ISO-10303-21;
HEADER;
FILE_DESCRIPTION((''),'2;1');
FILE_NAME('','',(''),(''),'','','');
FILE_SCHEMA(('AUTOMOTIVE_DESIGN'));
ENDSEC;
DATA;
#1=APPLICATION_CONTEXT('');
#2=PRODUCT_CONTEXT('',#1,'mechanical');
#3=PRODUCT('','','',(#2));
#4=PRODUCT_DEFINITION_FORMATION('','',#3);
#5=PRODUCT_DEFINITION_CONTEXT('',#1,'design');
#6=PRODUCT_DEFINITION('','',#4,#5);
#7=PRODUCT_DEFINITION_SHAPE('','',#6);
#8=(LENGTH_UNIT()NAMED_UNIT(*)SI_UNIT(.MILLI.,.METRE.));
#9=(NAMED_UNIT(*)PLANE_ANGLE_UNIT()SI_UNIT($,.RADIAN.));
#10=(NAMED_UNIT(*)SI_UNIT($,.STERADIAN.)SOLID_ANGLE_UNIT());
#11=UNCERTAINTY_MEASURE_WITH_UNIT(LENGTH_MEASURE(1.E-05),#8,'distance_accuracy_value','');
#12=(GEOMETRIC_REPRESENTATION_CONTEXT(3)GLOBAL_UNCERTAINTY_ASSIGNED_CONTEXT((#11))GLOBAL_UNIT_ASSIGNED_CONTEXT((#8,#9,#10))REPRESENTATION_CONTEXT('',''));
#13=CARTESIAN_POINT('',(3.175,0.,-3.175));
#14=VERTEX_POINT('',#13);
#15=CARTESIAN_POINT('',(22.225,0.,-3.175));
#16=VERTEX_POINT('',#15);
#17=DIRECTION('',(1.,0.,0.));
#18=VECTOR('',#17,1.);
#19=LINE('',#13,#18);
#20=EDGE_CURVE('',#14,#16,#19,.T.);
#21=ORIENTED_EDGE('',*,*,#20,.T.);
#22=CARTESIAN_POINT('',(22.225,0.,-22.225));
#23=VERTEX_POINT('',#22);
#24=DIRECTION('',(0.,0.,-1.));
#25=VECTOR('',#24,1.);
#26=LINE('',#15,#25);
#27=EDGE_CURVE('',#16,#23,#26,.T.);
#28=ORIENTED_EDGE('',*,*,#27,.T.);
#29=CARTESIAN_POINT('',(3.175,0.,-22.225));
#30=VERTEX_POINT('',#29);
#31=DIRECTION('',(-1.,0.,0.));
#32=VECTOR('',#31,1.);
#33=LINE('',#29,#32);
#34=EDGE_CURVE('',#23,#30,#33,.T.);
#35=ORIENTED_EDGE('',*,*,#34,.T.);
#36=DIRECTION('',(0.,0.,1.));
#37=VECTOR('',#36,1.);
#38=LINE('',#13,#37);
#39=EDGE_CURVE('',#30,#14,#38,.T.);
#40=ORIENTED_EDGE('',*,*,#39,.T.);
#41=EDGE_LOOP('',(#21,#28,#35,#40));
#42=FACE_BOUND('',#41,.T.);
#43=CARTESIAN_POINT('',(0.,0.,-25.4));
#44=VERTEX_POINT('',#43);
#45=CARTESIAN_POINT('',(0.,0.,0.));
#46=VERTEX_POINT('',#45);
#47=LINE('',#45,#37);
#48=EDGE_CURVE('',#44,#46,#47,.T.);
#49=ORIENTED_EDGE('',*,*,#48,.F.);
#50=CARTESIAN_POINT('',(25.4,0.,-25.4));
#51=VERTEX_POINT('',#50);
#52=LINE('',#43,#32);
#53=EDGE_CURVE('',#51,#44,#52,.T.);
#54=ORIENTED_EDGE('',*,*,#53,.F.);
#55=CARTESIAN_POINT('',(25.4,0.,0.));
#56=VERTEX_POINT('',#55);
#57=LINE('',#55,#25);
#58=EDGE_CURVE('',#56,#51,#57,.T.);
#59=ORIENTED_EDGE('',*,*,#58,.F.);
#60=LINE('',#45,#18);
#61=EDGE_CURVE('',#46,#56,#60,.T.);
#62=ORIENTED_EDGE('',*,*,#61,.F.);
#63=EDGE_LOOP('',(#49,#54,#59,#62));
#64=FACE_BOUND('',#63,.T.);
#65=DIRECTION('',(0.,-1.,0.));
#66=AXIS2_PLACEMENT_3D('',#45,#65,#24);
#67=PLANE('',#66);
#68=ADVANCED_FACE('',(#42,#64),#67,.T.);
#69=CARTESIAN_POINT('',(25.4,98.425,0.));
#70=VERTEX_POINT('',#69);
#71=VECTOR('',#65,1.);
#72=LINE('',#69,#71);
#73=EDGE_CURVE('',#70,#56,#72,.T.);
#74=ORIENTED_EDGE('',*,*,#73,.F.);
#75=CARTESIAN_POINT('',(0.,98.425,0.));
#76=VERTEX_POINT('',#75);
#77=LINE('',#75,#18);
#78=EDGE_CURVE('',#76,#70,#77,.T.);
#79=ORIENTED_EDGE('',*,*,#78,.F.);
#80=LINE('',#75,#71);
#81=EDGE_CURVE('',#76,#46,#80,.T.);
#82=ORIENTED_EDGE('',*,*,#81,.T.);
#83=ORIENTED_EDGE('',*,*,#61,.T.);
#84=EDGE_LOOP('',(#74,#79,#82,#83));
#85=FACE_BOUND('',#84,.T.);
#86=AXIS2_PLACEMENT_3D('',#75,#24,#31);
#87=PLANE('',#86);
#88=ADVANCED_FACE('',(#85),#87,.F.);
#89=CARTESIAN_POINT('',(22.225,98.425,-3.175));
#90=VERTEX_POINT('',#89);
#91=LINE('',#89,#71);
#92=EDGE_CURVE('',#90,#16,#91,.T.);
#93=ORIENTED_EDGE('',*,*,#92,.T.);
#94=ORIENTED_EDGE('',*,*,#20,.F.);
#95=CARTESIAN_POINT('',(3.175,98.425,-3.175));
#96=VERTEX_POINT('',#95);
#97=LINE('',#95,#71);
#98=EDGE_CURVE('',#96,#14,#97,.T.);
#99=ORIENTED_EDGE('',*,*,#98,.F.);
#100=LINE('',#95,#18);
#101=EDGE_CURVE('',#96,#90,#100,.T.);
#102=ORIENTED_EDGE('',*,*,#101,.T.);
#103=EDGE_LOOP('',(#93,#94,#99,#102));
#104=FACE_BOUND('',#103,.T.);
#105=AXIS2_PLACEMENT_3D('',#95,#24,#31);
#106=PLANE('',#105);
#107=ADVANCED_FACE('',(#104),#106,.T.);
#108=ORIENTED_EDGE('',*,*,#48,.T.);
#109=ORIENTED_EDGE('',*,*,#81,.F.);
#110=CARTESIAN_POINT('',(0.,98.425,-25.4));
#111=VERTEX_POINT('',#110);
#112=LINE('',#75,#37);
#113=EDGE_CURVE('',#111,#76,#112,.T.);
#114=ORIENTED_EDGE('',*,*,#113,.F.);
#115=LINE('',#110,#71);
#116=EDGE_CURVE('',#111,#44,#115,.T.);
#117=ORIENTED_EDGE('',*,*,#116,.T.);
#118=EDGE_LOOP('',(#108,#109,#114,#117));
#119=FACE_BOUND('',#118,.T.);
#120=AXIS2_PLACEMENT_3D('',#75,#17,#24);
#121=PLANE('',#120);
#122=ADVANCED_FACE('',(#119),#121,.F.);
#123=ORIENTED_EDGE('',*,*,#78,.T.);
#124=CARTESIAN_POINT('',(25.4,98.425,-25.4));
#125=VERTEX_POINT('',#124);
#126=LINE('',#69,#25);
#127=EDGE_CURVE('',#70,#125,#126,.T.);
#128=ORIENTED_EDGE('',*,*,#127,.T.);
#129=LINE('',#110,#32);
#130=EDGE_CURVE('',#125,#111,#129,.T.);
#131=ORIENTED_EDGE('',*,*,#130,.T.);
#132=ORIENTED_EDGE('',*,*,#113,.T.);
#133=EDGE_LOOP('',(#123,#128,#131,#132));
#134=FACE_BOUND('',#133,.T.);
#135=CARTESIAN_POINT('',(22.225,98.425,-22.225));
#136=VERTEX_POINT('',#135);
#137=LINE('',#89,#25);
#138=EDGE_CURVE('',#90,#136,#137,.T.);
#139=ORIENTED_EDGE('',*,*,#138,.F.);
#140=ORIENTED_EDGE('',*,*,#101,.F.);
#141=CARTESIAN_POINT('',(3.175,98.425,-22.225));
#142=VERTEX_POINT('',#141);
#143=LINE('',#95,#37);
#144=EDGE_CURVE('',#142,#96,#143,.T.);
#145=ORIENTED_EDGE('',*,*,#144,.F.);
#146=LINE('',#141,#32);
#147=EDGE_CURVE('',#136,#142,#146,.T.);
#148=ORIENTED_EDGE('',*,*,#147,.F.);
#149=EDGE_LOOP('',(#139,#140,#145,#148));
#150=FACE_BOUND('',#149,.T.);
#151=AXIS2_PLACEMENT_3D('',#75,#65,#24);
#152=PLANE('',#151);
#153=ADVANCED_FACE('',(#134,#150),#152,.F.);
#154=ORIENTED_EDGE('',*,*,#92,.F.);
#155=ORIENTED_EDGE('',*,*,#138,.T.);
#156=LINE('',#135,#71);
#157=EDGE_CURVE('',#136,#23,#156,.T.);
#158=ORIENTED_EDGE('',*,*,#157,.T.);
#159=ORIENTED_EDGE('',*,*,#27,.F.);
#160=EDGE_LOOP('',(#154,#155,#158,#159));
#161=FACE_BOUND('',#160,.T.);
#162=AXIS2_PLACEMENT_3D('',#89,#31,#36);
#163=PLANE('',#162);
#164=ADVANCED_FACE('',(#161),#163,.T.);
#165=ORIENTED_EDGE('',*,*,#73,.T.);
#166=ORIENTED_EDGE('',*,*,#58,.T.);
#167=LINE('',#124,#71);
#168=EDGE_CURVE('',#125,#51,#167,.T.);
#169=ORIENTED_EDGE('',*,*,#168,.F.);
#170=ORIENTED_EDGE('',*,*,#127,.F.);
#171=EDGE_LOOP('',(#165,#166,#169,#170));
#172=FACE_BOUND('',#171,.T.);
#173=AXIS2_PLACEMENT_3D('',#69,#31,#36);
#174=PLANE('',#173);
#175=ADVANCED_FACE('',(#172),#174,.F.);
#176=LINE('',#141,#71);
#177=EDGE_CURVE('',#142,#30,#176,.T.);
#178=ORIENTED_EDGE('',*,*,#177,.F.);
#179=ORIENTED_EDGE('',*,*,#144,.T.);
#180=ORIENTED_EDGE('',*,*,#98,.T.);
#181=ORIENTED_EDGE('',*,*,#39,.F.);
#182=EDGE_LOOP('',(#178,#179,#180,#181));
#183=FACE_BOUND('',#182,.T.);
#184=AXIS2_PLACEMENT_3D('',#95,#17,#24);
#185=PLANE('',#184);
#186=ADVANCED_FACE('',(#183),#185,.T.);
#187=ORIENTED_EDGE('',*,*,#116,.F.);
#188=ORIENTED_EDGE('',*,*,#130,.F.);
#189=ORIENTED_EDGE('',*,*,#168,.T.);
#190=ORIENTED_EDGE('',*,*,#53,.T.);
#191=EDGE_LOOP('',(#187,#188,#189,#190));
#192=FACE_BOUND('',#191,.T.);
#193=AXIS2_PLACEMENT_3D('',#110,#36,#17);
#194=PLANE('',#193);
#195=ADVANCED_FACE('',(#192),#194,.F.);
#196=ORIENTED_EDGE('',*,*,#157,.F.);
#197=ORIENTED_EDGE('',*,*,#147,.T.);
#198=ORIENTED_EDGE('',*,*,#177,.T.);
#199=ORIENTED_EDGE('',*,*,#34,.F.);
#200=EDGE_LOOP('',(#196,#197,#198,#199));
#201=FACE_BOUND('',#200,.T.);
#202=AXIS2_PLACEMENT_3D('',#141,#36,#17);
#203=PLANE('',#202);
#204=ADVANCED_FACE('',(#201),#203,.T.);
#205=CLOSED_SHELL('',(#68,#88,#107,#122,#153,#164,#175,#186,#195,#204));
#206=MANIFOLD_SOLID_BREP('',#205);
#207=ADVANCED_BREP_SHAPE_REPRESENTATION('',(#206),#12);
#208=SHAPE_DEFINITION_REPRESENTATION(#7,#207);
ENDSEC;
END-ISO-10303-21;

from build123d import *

# Parameters (mm, degrees)
SKETCH1_W           = 25.4
SKETCH1_H           = 25.4
SKETCH1_W_2         = 19.05
SKETCH1_H_2         = 19.05
BOSS_EXTRUDE1_DEPTH = 98.425


with BuildPart() as part:
    # Sketch1 → Boss-Extrude1 (new body)
    with BuildSketch(Plane(origin=(0, 0, 0), x_dir=(1, 0, 0), z_dir=(0, 1, 0))):
        with Locations((12.7, 12.7)):
            Rectangle(SKETCH1_W, SKETCH1_H)
        with Locations((12.7, 12.7)):
            Rectangle(SKETCH1_W_2, SKETCH1_H_2, mode=Mode.SUBTRACT)
    extrude(amount=BOSS_EXTRUDE1_DEPTH)


solid = part.part
